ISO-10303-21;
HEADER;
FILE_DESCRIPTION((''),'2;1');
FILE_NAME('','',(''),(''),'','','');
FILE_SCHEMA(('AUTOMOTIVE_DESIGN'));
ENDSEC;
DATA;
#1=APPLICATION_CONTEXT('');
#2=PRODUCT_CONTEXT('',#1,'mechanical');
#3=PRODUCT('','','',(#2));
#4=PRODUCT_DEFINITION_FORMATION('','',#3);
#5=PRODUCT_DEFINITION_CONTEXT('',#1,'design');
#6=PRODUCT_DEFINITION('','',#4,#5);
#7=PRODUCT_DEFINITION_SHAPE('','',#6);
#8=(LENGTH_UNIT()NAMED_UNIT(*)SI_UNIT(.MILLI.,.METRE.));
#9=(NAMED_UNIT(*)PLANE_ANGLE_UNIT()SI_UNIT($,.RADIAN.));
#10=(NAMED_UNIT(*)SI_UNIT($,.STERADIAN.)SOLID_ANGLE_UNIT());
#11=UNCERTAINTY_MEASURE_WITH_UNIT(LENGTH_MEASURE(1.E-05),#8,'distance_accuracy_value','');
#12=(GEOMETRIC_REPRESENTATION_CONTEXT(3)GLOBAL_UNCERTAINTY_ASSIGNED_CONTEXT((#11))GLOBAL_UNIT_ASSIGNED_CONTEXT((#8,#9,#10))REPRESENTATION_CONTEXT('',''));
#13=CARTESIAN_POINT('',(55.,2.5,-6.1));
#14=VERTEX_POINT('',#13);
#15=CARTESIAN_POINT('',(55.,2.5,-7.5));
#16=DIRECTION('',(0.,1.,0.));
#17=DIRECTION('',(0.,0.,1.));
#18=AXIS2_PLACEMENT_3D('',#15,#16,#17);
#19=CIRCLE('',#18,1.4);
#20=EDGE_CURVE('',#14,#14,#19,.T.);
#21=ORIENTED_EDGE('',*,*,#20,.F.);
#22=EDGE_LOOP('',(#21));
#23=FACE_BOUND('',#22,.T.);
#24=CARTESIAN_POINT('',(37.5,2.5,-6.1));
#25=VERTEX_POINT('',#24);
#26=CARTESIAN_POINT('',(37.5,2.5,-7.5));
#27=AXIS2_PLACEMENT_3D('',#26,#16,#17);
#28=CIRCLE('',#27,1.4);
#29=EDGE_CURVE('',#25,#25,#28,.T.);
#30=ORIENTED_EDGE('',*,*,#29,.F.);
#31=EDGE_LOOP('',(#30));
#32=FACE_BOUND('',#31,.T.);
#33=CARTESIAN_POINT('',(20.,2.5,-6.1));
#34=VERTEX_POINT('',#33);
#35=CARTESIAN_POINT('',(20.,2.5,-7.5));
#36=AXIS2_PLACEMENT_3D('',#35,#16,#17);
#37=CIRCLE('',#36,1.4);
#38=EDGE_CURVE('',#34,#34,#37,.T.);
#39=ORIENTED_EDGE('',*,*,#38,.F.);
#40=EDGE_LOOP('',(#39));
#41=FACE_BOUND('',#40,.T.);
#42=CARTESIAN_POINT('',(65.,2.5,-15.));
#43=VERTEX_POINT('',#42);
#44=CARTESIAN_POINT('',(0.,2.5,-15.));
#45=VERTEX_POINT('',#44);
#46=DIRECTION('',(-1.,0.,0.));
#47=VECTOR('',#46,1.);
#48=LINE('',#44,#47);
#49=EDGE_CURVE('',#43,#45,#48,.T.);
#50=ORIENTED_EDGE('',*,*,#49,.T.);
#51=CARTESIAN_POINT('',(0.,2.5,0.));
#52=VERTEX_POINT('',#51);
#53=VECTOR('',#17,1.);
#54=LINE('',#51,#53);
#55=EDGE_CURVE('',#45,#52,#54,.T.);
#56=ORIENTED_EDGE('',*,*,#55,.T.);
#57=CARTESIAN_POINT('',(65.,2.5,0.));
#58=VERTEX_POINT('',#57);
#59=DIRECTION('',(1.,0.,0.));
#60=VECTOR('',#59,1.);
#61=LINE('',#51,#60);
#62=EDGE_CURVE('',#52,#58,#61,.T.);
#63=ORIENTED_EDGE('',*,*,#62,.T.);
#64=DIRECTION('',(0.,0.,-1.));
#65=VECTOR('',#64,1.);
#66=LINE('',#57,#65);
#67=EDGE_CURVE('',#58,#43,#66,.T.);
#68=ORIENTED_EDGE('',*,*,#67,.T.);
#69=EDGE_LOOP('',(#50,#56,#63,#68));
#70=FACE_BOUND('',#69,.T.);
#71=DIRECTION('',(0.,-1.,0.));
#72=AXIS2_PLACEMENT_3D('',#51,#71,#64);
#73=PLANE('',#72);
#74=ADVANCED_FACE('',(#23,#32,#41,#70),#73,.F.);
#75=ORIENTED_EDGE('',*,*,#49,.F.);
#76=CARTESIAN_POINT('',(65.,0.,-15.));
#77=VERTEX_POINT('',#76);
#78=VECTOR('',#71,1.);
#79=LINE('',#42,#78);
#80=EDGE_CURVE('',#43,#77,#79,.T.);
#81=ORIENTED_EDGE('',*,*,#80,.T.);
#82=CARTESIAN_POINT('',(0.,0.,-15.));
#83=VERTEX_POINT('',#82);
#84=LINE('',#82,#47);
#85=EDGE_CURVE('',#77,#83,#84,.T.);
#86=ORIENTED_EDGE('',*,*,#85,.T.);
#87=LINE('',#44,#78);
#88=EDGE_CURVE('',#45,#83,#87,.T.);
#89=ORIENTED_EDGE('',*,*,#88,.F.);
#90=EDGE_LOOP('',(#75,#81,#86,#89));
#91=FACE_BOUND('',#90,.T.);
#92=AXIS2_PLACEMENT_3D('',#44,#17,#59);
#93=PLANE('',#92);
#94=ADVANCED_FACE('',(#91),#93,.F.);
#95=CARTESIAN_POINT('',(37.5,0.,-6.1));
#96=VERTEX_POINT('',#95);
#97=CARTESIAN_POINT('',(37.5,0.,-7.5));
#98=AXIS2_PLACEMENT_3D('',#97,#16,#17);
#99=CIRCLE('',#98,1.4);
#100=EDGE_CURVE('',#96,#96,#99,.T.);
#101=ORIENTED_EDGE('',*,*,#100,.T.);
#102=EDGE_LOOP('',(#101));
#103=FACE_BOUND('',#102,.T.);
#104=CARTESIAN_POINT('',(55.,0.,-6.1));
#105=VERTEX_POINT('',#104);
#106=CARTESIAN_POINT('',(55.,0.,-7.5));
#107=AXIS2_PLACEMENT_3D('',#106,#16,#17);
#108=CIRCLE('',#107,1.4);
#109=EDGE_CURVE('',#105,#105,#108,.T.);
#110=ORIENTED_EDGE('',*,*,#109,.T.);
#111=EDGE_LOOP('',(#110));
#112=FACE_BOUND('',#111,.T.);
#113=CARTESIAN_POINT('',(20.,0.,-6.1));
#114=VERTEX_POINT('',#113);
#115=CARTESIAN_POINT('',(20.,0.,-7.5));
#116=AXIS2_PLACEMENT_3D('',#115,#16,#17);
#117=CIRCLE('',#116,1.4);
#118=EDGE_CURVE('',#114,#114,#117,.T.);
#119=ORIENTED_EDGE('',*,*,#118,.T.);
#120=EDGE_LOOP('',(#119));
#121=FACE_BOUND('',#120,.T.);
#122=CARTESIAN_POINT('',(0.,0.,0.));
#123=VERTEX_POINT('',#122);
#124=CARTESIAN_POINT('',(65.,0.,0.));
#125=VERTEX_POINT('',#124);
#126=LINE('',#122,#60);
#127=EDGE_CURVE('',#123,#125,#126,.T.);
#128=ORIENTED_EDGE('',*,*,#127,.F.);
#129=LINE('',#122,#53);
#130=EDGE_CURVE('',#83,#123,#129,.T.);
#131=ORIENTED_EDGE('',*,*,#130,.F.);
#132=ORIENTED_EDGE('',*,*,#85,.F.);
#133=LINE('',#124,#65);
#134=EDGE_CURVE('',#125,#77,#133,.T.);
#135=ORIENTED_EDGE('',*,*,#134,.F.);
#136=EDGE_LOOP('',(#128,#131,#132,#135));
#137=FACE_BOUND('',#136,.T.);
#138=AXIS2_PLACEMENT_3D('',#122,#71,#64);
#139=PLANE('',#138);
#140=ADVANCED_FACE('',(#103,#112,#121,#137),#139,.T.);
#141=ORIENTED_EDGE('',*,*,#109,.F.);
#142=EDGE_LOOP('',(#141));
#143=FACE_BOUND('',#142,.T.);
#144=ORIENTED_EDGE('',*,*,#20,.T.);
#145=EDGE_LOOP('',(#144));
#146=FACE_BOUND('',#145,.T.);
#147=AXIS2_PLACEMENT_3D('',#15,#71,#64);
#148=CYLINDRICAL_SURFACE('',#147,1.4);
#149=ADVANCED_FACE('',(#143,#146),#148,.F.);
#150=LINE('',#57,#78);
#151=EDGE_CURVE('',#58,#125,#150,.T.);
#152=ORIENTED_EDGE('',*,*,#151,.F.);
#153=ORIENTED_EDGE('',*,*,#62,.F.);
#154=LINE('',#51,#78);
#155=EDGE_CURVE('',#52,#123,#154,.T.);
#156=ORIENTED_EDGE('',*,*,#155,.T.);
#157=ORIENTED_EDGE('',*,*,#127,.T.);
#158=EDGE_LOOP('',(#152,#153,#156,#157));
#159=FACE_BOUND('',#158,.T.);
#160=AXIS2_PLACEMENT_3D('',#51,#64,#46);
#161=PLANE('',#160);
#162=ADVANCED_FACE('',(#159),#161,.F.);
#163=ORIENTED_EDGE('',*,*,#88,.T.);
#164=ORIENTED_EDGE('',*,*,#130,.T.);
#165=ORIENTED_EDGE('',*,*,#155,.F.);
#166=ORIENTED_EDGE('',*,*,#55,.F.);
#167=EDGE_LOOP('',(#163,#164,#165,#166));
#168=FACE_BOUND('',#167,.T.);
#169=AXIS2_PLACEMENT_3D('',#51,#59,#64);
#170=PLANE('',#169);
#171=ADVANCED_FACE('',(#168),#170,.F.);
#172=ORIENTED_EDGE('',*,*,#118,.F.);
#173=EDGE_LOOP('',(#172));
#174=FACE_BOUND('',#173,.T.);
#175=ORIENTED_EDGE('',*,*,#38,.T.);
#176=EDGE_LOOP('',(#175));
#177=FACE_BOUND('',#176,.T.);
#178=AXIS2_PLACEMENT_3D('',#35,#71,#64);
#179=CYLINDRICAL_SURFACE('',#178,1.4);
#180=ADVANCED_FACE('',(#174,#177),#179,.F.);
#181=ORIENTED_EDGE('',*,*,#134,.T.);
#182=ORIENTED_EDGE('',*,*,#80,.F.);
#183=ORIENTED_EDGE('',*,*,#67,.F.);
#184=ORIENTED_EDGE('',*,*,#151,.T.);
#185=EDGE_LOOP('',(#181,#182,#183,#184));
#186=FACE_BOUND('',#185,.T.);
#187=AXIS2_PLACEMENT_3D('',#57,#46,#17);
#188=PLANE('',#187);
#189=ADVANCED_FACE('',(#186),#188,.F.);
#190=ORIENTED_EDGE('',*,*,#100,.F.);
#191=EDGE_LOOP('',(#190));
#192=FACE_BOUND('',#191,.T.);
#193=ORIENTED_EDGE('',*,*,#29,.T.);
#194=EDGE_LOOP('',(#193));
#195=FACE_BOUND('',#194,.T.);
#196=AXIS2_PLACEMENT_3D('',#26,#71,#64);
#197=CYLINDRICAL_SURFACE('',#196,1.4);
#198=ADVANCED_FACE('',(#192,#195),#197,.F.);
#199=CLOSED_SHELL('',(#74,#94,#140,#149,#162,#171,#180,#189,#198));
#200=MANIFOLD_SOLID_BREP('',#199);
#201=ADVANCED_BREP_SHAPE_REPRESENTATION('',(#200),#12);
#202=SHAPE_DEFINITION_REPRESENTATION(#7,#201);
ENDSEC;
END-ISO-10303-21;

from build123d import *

# Parameters (mm, degrees)
SKETCH1_W           = 65
SKETCH1_H           = 15
SKETCH1_R           = 1.4
BOSS_EXTRUDE1_DEPTH = 2.5


with BuildPart() as part:
    # Sketch1 → Boss-Extrude1 (new body)
    with BuildSketch(Plane(origin=(0, 0, 0), x_dir=(1, 0, 0), z_dir=(0, 1, 0))):
        with Locations((32.5, 7.5)):
            Rectangle(SKETCH1_W, SKETCH1_H)
        with Locations(Location((55, 7.5, 0), (0, 0, 270))):
            Circle(SKETCH1_R, mode=Mode.SUBTRACT)
        with Locations(Location((37.5, 7.5, 0), (0, 0, 270))):
            Circle(SKETCH1_R, mode=Mode.SUBTRACT)
        with Locations(Location((20, 7.5, 0), (0, 0, 270))):
            Circle(SKETCH1_R, mode=Mode.SUBTRACT)
    extrude(amount=BOSS_EXTRUDE1_DEPTH)


solid = part.part
